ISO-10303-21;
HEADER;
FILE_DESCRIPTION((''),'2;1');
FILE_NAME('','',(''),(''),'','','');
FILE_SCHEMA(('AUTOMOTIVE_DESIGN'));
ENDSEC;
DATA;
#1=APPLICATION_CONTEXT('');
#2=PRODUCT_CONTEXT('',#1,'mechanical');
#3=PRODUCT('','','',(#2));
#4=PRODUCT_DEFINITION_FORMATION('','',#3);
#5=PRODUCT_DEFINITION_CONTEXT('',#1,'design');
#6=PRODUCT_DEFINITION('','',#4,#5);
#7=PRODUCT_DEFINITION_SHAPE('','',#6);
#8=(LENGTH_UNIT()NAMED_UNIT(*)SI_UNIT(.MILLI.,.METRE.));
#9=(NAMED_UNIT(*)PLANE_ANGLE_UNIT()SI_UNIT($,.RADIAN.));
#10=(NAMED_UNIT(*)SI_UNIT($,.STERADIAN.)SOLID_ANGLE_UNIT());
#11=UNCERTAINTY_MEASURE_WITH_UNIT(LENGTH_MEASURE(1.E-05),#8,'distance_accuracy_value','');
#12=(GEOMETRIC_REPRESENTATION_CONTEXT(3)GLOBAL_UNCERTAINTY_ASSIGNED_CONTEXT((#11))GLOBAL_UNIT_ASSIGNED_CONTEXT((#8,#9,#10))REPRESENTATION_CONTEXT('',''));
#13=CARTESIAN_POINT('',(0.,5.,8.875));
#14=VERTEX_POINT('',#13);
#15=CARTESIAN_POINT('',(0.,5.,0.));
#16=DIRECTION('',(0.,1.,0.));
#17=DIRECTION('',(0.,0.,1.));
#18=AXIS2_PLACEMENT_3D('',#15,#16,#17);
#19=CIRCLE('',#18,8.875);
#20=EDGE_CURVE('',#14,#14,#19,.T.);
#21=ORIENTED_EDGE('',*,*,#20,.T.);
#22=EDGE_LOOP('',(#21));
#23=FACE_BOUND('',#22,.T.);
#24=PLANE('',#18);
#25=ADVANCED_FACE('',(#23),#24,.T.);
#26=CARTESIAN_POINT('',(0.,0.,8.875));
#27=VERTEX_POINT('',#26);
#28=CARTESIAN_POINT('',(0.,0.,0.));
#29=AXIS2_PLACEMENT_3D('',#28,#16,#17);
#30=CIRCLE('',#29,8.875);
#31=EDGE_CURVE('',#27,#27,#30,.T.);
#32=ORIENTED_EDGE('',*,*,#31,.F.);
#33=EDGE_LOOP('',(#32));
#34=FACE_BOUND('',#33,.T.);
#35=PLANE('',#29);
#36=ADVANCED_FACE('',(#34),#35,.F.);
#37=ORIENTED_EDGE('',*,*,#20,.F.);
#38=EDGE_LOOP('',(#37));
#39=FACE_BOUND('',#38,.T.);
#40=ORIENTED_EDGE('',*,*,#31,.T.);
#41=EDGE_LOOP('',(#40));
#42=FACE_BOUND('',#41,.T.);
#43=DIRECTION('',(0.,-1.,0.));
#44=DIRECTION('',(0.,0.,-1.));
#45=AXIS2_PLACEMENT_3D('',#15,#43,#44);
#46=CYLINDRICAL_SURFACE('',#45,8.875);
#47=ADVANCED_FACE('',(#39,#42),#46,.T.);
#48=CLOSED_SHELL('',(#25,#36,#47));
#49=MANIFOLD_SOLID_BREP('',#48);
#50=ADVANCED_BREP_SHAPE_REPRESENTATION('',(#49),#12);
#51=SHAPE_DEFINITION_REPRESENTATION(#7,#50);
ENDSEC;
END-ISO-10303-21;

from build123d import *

# Parameters (mm, degrees)
SKIZZE1_R                       = 8.875
AUFSATZ_LINEAR_AUSTRAGEN1_DEPTH = 5


with BuildPart() as part:
    # Skizze1 → Aufsatz-Linear austragen1 (new body)
    with BuildSketch(Plane(origin=(0, 0, 0), x_dir=(1, 0, 0), z_dir=(0, 1, 0))):
        Circle(SKIZZE1_R)
    extrude(amount=AUFSATZ_LINEAR_AUSTRAGEN1_DEPTH)


solid = part.part
